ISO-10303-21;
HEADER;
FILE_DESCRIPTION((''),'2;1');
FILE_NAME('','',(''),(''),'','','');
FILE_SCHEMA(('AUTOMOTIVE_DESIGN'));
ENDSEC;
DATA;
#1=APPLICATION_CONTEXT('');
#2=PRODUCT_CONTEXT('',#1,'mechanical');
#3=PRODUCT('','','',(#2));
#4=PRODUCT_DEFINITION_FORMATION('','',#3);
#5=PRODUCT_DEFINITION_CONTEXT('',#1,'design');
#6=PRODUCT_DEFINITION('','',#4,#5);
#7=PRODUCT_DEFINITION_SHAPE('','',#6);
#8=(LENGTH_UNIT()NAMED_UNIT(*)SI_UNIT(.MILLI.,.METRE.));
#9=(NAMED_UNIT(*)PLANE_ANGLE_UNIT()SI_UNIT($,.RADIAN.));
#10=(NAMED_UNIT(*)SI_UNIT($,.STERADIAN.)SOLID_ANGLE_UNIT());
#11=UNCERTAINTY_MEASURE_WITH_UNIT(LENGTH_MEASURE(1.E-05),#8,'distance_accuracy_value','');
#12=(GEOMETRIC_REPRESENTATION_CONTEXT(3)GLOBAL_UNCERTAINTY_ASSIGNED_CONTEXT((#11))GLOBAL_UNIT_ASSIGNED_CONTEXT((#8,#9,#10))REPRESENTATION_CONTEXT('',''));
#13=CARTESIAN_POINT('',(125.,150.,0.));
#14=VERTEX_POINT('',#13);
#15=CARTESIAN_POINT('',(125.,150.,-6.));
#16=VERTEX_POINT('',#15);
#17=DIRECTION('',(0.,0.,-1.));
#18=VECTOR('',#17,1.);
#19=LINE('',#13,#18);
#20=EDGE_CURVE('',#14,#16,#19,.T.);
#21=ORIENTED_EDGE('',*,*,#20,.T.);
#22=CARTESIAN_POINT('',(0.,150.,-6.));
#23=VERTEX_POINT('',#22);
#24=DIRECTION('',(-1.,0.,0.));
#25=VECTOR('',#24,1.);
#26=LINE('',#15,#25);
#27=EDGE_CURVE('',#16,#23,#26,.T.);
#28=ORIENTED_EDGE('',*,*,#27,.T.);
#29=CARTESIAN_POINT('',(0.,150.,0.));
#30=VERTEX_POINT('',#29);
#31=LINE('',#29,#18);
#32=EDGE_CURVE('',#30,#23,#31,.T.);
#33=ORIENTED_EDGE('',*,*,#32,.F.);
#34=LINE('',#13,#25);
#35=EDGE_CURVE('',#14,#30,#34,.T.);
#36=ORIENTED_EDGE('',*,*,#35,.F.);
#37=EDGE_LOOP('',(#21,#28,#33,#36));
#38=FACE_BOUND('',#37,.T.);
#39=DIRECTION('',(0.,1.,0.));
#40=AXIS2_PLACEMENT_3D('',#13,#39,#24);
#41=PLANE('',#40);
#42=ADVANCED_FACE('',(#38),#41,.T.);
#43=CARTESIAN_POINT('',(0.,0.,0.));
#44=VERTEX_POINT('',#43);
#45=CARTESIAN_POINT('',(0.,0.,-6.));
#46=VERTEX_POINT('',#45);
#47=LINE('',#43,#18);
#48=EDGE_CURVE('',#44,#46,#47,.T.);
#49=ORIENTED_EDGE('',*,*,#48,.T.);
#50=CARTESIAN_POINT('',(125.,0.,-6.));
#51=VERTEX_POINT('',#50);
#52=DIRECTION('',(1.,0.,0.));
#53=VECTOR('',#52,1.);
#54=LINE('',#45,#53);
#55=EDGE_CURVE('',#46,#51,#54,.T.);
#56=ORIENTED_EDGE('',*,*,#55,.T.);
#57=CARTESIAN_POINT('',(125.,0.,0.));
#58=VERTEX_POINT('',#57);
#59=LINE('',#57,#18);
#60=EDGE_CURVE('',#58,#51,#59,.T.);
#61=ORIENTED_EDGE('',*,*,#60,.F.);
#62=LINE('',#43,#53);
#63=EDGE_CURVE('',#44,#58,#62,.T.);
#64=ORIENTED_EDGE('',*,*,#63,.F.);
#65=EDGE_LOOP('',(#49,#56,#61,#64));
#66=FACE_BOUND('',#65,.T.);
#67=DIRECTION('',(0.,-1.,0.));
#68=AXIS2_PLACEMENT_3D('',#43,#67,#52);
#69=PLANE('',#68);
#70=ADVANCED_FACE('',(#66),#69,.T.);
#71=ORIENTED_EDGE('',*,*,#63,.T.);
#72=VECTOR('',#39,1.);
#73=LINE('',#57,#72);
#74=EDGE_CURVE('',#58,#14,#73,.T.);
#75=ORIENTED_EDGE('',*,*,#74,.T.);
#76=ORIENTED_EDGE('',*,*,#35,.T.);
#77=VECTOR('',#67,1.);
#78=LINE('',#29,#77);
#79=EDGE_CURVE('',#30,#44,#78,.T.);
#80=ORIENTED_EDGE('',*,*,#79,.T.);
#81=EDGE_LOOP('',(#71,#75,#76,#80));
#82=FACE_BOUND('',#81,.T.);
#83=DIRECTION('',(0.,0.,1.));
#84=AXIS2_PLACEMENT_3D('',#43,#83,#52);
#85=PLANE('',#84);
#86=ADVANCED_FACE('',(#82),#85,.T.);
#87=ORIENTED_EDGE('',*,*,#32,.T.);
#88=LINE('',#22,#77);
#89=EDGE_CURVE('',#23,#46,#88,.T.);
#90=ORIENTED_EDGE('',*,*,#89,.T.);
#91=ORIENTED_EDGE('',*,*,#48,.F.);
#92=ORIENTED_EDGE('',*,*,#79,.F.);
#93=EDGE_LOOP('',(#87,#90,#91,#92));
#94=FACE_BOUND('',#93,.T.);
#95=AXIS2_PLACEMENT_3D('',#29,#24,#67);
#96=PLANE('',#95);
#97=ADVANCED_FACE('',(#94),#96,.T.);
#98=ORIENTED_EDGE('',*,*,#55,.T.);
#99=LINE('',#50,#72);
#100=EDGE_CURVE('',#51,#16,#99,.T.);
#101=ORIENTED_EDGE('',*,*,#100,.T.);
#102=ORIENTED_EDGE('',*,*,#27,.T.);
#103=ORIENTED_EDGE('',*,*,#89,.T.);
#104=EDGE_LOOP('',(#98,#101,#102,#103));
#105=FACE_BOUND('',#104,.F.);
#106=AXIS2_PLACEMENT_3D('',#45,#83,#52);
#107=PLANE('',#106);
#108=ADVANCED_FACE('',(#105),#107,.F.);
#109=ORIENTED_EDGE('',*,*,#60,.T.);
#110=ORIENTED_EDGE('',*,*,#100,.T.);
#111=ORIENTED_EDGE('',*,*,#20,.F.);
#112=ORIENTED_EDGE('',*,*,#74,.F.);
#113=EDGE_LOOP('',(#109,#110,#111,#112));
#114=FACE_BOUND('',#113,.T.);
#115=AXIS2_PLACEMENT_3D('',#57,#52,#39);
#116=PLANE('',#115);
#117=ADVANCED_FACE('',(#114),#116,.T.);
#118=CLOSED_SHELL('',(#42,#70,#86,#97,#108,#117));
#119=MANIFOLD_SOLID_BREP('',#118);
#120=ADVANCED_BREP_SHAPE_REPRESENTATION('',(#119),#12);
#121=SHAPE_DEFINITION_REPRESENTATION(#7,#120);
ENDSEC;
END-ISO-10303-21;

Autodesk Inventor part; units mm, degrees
ref_plane "YZ Plane" through (0, 0, 0) normal (1, 0, 0) x (0, 1, 0)
ref_plane "XZ Plane" through (0, 0, 0) normal (0, 1, 0) x (-1, 0, 0)
ref_plane "XY Plane" through (0, 0, 0) normal (0, 0, 1) x (1, 0, 0)
sketch "Sketch1" plane through (0, 0, 0) normal (0, 0, 1) x (1, 0, 0)
  line L0 (0, 0) -> (125, 0)
  line L1 (125, 0) -> (125, 150)
  line L2 (125, 150) -> (0, 150)
  line L3 (0, 150) -> (0, 0)
  dimension "d0" = 125
  dimension "d1" = 150
extrude "Extrusion1" add sketch "Sketch1" against normal blind 6
properties part number "Archimedes Screw Border Top"
